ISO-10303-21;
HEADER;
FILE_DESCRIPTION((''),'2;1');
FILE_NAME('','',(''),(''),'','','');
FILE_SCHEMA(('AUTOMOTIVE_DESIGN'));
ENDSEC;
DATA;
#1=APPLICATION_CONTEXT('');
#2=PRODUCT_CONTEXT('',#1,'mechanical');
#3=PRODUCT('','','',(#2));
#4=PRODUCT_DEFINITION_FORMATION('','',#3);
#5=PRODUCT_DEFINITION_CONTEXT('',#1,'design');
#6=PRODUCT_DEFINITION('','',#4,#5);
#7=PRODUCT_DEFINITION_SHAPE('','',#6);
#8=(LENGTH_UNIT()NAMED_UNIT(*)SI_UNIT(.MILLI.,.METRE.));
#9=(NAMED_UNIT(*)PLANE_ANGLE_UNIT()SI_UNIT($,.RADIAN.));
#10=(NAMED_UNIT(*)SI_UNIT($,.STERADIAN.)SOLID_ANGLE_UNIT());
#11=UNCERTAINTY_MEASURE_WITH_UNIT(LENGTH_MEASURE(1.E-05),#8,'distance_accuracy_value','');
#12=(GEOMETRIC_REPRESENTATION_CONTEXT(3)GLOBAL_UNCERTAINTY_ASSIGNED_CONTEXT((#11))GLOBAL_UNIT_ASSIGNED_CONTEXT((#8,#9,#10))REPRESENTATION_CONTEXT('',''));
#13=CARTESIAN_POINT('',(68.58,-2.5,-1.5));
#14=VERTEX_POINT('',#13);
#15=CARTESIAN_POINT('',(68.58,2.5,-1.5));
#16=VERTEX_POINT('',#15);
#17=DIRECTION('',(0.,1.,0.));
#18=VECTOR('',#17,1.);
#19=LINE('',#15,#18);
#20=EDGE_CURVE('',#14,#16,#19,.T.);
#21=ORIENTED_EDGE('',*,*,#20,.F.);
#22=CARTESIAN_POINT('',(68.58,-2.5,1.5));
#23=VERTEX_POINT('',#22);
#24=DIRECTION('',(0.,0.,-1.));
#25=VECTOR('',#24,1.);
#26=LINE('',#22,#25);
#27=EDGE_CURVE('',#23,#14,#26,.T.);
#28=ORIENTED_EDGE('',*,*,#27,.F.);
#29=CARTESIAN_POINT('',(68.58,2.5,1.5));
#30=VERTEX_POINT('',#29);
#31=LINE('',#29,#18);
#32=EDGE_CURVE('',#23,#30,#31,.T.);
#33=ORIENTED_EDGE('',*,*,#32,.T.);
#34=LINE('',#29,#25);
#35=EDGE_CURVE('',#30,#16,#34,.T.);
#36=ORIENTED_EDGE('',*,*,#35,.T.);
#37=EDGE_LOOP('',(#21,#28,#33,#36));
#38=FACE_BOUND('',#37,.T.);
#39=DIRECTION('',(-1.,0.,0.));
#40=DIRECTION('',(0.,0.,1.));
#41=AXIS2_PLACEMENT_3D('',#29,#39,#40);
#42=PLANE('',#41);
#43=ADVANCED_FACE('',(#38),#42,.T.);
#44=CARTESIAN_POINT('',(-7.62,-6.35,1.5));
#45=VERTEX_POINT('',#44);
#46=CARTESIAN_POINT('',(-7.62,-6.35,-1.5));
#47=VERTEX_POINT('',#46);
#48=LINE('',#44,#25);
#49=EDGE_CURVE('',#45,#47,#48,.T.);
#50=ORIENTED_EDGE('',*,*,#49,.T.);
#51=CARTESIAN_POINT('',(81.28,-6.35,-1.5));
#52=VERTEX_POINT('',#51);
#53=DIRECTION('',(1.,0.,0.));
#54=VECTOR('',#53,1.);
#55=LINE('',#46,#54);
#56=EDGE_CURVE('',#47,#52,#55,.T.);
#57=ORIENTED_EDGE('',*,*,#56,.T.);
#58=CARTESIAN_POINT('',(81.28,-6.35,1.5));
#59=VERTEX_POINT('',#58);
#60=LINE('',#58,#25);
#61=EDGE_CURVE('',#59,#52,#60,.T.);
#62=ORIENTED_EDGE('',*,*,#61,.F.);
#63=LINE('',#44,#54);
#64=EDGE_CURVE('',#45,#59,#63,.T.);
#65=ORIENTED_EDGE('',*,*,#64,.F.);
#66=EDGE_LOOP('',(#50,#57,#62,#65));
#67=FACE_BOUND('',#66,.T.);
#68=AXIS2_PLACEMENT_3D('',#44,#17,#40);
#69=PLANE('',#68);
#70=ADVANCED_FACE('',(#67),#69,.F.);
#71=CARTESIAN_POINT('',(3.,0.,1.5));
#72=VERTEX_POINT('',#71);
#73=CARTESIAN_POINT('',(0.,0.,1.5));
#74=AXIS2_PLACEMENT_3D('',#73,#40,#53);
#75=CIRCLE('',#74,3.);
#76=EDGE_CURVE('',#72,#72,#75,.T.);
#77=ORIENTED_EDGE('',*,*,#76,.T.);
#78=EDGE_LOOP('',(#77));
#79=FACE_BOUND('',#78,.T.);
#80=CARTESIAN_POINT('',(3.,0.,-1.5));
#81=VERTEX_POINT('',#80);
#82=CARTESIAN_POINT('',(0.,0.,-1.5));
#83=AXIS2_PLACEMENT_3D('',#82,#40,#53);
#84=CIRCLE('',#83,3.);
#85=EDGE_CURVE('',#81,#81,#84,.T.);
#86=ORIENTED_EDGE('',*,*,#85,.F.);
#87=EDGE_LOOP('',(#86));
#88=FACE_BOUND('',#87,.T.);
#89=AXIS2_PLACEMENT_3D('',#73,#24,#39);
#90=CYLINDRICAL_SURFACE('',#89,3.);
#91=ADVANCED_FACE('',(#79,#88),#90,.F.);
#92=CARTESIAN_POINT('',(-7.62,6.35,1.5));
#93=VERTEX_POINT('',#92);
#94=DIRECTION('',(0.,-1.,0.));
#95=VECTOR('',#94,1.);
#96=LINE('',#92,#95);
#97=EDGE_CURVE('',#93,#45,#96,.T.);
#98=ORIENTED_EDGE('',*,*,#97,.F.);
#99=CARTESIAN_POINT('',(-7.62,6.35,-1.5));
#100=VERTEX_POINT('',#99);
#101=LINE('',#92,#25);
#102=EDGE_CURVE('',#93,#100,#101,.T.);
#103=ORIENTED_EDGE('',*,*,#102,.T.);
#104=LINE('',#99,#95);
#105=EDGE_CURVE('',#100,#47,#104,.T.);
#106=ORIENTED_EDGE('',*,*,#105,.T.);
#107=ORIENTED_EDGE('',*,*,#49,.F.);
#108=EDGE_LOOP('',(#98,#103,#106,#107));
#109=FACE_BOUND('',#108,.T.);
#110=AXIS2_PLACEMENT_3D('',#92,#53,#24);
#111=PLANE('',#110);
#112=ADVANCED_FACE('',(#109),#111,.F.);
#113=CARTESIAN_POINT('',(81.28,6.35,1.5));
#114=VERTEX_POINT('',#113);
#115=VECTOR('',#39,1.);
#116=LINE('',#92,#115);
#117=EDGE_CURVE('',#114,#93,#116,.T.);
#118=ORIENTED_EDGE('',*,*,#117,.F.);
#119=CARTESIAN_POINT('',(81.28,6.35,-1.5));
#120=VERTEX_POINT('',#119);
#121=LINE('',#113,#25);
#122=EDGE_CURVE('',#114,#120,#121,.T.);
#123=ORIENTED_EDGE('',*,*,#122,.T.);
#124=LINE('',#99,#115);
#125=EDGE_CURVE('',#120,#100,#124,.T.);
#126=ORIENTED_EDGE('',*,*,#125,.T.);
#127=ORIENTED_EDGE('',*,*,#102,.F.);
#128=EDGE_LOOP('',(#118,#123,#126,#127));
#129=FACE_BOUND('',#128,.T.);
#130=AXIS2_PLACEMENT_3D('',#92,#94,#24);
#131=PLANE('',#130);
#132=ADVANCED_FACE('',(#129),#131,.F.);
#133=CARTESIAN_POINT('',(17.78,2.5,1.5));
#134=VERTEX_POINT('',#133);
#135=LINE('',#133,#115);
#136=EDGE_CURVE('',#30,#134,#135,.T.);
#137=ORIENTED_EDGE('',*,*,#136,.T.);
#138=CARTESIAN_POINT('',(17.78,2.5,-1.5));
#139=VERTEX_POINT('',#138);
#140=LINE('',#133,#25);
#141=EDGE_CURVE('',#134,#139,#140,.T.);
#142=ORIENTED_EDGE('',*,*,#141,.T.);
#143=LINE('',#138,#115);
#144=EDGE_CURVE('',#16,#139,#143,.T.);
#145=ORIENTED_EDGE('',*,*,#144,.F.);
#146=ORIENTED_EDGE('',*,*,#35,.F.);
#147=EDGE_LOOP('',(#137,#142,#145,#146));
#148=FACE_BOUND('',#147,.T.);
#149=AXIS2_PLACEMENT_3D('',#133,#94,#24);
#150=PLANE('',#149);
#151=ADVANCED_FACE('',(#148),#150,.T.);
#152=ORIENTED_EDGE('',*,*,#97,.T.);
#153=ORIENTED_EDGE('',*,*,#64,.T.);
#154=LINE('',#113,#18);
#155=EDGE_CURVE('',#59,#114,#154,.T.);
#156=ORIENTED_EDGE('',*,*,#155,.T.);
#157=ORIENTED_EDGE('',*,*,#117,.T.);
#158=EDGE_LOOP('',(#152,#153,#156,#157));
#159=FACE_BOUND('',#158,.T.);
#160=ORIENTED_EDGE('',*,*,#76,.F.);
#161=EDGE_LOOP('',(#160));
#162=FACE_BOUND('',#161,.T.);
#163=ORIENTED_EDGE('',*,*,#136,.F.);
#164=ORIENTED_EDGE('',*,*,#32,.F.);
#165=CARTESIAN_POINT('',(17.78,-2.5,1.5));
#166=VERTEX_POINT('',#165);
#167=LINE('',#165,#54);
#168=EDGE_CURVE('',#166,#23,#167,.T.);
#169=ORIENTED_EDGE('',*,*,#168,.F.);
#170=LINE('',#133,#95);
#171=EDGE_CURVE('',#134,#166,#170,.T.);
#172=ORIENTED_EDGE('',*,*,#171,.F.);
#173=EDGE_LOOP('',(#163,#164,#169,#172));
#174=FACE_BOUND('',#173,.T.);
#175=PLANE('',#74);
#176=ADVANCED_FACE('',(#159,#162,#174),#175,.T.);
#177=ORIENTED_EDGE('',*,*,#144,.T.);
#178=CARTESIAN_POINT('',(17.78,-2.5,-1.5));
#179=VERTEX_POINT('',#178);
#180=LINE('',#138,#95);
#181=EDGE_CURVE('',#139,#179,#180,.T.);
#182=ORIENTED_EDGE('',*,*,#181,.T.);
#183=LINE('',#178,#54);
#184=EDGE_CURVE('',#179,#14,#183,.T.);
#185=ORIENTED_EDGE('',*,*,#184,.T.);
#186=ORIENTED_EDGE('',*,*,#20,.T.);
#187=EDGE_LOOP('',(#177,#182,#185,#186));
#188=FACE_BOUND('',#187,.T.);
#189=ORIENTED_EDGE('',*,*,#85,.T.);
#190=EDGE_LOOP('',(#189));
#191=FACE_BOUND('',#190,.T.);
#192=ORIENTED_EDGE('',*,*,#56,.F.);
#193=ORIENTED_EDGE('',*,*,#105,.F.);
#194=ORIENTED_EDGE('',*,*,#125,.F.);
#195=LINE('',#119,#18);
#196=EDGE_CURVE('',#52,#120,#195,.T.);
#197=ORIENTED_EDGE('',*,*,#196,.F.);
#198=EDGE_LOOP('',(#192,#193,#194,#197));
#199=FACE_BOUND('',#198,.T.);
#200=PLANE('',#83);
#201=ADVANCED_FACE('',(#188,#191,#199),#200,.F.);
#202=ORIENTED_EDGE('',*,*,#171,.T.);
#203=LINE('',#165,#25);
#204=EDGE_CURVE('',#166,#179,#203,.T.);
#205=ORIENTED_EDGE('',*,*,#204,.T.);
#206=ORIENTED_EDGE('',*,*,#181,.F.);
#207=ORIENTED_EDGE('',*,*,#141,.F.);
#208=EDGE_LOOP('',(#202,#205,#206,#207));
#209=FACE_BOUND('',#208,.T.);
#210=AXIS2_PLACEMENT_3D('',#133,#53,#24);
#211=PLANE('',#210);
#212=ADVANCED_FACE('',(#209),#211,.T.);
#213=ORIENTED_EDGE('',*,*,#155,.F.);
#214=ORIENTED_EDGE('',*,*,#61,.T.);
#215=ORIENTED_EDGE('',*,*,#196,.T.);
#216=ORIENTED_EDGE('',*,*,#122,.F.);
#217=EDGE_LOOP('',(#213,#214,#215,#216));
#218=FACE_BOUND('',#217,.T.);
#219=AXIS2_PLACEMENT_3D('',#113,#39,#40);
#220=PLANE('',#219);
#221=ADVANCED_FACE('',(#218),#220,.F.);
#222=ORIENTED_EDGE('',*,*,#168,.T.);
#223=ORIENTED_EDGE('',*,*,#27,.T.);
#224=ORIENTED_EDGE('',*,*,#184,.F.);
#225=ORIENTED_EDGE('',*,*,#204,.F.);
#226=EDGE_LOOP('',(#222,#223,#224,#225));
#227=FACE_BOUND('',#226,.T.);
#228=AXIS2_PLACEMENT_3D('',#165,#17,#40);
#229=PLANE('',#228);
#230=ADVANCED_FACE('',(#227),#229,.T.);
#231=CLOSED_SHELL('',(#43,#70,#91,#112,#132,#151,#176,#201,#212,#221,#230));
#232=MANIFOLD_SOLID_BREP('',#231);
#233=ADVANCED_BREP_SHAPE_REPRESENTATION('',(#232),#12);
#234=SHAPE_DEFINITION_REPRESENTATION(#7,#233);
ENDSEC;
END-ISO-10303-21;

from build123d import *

# Parameters (mm, degrees)
SKETCH1_W           = 88.9
SKETCH1_H           = 12.7
SKETCH1_R           = 3
SKETCH1_W_2         = 50.8
SKETCH1_H_2         = 5
BOSS_EXTRUDE1_DEPTH = 1.5


with BuildPart() as part:
    # Sketch1 → Boss-Extrude1 (new body, symmetric)
    with BuildSketch(Plane.XY):
        with Locations((36.83, 0)):
            Rectangle(SKETCH1_W, SKETCH1_H)
        Circle(SKETCH1_R, mode=Mode.SUBTRACT)
        with Locations((43.18, 0)):
            Rectangle(SKETCH1_W_2, SKETCH1_H_2, mode=Mode.SUBTRACT)
    extrude(amount=BOSS_EXTRUDE1_DEPTH, both=True)


solid = part.part
